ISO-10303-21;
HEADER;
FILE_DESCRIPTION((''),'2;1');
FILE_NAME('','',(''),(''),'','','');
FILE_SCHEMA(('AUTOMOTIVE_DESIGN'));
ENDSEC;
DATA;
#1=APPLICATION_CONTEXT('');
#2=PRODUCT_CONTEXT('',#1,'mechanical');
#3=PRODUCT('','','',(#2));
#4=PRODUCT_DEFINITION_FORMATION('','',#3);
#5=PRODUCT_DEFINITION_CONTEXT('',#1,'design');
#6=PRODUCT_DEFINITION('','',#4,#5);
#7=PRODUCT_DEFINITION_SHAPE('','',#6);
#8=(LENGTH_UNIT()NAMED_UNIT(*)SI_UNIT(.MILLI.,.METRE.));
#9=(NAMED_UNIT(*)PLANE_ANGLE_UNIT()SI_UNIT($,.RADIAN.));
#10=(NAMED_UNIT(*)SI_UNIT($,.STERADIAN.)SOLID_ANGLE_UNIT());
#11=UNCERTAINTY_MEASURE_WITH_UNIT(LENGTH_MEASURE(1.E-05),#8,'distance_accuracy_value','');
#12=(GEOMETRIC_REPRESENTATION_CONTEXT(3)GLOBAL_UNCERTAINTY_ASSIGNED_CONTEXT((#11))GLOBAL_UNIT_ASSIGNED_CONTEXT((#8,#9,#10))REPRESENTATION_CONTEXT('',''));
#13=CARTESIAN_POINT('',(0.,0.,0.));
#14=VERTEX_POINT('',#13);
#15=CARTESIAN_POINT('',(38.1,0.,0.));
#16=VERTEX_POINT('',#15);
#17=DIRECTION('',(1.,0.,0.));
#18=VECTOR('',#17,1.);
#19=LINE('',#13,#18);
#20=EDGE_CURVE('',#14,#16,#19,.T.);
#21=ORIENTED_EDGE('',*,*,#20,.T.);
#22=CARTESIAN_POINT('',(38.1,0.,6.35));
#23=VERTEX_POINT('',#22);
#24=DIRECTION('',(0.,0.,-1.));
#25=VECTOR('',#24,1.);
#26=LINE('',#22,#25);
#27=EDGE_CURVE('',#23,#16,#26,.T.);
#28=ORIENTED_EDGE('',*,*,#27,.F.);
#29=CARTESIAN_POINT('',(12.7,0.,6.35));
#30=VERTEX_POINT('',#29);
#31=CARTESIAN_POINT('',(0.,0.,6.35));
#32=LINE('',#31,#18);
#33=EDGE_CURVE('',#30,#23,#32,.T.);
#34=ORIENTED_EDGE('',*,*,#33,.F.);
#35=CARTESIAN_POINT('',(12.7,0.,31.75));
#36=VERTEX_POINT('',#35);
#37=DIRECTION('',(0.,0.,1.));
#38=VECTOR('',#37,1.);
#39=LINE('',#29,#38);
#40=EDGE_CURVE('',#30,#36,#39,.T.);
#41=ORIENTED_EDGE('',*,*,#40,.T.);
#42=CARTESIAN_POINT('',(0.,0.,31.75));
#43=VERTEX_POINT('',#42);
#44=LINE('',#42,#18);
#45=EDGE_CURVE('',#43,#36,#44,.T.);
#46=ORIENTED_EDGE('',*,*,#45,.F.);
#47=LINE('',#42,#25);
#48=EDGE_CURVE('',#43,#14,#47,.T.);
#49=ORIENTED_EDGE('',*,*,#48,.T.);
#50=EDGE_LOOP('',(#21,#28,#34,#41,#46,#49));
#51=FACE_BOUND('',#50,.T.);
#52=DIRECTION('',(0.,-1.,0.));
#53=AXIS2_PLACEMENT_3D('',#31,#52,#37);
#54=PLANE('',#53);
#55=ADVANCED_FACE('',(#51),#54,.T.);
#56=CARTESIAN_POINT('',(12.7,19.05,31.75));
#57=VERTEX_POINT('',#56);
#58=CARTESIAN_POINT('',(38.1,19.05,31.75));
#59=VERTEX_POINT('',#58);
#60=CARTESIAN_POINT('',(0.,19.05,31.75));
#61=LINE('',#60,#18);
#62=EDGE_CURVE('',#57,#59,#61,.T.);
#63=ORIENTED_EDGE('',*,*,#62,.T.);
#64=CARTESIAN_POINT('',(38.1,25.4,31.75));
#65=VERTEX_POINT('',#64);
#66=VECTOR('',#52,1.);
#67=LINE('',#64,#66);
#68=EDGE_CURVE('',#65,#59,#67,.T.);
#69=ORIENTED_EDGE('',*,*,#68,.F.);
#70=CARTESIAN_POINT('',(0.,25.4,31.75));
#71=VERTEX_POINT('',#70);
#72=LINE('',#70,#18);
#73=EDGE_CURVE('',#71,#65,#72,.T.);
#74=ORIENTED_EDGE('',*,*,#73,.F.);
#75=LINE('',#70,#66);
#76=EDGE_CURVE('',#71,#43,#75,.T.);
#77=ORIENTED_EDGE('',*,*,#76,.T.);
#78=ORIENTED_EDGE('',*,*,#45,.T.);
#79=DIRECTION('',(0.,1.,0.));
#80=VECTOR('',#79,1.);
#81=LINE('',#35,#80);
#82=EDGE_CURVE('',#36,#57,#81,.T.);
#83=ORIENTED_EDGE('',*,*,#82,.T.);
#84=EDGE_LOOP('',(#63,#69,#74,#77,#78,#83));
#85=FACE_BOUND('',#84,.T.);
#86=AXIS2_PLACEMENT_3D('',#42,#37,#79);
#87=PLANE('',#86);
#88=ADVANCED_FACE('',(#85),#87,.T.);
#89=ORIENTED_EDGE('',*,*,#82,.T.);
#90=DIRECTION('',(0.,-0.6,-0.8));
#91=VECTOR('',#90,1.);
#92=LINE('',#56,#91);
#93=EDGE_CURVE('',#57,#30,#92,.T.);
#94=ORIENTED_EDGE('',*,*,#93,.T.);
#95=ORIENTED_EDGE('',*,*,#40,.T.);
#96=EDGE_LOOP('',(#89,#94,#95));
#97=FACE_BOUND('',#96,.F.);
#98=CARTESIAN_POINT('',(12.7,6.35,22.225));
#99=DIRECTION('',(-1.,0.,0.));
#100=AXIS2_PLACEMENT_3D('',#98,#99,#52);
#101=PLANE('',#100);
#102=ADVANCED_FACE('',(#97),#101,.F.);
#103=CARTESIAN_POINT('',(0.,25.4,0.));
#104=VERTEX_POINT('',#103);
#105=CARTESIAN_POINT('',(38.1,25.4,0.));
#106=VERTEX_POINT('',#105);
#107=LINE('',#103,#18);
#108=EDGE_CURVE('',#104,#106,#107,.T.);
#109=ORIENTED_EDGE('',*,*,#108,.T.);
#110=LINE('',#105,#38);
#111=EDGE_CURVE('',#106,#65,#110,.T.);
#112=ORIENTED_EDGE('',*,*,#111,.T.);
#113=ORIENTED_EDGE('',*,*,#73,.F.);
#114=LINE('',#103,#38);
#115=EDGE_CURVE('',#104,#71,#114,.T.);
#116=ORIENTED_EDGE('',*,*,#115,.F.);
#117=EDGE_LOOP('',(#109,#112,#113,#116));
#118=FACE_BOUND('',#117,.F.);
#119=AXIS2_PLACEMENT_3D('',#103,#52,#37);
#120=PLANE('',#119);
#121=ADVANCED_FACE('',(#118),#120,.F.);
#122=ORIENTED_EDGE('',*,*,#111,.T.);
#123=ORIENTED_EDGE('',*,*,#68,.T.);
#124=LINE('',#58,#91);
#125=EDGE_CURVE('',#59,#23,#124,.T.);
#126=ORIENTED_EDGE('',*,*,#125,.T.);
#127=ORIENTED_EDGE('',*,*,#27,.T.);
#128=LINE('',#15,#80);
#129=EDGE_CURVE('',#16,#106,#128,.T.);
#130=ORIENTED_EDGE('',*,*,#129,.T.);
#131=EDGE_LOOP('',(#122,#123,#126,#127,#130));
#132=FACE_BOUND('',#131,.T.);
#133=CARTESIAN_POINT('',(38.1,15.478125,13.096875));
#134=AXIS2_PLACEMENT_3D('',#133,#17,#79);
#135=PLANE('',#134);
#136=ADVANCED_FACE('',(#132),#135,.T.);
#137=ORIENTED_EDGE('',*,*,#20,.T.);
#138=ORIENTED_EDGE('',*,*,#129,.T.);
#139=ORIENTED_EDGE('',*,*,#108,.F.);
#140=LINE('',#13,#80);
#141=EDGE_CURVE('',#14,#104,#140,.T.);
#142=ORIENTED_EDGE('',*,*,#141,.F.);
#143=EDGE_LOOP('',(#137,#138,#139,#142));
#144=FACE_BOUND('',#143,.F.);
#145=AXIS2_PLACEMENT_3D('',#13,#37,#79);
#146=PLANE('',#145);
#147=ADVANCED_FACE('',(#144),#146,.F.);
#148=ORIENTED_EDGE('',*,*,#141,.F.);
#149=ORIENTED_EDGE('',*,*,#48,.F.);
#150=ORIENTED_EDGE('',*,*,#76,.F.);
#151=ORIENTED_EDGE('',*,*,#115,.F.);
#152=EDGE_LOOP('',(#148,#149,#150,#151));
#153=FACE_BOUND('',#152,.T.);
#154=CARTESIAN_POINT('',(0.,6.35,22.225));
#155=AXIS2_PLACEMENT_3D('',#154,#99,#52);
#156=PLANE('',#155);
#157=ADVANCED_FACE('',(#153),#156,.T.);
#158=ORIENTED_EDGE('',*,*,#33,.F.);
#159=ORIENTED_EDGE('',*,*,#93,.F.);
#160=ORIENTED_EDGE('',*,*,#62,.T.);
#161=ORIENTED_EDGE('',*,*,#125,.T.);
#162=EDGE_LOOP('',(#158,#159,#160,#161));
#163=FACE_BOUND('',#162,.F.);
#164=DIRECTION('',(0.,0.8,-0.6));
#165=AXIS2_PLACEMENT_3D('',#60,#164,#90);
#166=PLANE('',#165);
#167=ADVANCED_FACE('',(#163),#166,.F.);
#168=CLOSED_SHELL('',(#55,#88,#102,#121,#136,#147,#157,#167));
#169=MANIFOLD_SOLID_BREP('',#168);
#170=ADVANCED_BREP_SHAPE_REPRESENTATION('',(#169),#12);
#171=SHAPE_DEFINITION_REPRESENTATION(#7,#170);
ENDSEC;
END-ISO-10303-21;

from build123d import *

# Parameters (mm, degrees)
F1_DEPTH = 38.1
F3_DEPTH = 12.7


with BuildPart() as f1:
    # F0 (on Right) → F1 (new body)
    with BuildSketch(Plane.YZ):
        Polygon((0, 6.35), (0, 0), (25.4, 0), (25.4, 31.75), (19.05, 31.75), align=None)
    extrude(amount=F1_DEPTH)

    # F2 (on face) → F3 (join)
    with BuildSketch(Plane(origin=(0, 0, 0), x_dir=(0, -1, 0), z_dir=(-1, 0, 0))):
        Polygon((0, 31.75), (-19.05, 31.75), (0, 6.35), align=None)
    extrude(amount=-F3_DEPTH)


solid = f1.part
